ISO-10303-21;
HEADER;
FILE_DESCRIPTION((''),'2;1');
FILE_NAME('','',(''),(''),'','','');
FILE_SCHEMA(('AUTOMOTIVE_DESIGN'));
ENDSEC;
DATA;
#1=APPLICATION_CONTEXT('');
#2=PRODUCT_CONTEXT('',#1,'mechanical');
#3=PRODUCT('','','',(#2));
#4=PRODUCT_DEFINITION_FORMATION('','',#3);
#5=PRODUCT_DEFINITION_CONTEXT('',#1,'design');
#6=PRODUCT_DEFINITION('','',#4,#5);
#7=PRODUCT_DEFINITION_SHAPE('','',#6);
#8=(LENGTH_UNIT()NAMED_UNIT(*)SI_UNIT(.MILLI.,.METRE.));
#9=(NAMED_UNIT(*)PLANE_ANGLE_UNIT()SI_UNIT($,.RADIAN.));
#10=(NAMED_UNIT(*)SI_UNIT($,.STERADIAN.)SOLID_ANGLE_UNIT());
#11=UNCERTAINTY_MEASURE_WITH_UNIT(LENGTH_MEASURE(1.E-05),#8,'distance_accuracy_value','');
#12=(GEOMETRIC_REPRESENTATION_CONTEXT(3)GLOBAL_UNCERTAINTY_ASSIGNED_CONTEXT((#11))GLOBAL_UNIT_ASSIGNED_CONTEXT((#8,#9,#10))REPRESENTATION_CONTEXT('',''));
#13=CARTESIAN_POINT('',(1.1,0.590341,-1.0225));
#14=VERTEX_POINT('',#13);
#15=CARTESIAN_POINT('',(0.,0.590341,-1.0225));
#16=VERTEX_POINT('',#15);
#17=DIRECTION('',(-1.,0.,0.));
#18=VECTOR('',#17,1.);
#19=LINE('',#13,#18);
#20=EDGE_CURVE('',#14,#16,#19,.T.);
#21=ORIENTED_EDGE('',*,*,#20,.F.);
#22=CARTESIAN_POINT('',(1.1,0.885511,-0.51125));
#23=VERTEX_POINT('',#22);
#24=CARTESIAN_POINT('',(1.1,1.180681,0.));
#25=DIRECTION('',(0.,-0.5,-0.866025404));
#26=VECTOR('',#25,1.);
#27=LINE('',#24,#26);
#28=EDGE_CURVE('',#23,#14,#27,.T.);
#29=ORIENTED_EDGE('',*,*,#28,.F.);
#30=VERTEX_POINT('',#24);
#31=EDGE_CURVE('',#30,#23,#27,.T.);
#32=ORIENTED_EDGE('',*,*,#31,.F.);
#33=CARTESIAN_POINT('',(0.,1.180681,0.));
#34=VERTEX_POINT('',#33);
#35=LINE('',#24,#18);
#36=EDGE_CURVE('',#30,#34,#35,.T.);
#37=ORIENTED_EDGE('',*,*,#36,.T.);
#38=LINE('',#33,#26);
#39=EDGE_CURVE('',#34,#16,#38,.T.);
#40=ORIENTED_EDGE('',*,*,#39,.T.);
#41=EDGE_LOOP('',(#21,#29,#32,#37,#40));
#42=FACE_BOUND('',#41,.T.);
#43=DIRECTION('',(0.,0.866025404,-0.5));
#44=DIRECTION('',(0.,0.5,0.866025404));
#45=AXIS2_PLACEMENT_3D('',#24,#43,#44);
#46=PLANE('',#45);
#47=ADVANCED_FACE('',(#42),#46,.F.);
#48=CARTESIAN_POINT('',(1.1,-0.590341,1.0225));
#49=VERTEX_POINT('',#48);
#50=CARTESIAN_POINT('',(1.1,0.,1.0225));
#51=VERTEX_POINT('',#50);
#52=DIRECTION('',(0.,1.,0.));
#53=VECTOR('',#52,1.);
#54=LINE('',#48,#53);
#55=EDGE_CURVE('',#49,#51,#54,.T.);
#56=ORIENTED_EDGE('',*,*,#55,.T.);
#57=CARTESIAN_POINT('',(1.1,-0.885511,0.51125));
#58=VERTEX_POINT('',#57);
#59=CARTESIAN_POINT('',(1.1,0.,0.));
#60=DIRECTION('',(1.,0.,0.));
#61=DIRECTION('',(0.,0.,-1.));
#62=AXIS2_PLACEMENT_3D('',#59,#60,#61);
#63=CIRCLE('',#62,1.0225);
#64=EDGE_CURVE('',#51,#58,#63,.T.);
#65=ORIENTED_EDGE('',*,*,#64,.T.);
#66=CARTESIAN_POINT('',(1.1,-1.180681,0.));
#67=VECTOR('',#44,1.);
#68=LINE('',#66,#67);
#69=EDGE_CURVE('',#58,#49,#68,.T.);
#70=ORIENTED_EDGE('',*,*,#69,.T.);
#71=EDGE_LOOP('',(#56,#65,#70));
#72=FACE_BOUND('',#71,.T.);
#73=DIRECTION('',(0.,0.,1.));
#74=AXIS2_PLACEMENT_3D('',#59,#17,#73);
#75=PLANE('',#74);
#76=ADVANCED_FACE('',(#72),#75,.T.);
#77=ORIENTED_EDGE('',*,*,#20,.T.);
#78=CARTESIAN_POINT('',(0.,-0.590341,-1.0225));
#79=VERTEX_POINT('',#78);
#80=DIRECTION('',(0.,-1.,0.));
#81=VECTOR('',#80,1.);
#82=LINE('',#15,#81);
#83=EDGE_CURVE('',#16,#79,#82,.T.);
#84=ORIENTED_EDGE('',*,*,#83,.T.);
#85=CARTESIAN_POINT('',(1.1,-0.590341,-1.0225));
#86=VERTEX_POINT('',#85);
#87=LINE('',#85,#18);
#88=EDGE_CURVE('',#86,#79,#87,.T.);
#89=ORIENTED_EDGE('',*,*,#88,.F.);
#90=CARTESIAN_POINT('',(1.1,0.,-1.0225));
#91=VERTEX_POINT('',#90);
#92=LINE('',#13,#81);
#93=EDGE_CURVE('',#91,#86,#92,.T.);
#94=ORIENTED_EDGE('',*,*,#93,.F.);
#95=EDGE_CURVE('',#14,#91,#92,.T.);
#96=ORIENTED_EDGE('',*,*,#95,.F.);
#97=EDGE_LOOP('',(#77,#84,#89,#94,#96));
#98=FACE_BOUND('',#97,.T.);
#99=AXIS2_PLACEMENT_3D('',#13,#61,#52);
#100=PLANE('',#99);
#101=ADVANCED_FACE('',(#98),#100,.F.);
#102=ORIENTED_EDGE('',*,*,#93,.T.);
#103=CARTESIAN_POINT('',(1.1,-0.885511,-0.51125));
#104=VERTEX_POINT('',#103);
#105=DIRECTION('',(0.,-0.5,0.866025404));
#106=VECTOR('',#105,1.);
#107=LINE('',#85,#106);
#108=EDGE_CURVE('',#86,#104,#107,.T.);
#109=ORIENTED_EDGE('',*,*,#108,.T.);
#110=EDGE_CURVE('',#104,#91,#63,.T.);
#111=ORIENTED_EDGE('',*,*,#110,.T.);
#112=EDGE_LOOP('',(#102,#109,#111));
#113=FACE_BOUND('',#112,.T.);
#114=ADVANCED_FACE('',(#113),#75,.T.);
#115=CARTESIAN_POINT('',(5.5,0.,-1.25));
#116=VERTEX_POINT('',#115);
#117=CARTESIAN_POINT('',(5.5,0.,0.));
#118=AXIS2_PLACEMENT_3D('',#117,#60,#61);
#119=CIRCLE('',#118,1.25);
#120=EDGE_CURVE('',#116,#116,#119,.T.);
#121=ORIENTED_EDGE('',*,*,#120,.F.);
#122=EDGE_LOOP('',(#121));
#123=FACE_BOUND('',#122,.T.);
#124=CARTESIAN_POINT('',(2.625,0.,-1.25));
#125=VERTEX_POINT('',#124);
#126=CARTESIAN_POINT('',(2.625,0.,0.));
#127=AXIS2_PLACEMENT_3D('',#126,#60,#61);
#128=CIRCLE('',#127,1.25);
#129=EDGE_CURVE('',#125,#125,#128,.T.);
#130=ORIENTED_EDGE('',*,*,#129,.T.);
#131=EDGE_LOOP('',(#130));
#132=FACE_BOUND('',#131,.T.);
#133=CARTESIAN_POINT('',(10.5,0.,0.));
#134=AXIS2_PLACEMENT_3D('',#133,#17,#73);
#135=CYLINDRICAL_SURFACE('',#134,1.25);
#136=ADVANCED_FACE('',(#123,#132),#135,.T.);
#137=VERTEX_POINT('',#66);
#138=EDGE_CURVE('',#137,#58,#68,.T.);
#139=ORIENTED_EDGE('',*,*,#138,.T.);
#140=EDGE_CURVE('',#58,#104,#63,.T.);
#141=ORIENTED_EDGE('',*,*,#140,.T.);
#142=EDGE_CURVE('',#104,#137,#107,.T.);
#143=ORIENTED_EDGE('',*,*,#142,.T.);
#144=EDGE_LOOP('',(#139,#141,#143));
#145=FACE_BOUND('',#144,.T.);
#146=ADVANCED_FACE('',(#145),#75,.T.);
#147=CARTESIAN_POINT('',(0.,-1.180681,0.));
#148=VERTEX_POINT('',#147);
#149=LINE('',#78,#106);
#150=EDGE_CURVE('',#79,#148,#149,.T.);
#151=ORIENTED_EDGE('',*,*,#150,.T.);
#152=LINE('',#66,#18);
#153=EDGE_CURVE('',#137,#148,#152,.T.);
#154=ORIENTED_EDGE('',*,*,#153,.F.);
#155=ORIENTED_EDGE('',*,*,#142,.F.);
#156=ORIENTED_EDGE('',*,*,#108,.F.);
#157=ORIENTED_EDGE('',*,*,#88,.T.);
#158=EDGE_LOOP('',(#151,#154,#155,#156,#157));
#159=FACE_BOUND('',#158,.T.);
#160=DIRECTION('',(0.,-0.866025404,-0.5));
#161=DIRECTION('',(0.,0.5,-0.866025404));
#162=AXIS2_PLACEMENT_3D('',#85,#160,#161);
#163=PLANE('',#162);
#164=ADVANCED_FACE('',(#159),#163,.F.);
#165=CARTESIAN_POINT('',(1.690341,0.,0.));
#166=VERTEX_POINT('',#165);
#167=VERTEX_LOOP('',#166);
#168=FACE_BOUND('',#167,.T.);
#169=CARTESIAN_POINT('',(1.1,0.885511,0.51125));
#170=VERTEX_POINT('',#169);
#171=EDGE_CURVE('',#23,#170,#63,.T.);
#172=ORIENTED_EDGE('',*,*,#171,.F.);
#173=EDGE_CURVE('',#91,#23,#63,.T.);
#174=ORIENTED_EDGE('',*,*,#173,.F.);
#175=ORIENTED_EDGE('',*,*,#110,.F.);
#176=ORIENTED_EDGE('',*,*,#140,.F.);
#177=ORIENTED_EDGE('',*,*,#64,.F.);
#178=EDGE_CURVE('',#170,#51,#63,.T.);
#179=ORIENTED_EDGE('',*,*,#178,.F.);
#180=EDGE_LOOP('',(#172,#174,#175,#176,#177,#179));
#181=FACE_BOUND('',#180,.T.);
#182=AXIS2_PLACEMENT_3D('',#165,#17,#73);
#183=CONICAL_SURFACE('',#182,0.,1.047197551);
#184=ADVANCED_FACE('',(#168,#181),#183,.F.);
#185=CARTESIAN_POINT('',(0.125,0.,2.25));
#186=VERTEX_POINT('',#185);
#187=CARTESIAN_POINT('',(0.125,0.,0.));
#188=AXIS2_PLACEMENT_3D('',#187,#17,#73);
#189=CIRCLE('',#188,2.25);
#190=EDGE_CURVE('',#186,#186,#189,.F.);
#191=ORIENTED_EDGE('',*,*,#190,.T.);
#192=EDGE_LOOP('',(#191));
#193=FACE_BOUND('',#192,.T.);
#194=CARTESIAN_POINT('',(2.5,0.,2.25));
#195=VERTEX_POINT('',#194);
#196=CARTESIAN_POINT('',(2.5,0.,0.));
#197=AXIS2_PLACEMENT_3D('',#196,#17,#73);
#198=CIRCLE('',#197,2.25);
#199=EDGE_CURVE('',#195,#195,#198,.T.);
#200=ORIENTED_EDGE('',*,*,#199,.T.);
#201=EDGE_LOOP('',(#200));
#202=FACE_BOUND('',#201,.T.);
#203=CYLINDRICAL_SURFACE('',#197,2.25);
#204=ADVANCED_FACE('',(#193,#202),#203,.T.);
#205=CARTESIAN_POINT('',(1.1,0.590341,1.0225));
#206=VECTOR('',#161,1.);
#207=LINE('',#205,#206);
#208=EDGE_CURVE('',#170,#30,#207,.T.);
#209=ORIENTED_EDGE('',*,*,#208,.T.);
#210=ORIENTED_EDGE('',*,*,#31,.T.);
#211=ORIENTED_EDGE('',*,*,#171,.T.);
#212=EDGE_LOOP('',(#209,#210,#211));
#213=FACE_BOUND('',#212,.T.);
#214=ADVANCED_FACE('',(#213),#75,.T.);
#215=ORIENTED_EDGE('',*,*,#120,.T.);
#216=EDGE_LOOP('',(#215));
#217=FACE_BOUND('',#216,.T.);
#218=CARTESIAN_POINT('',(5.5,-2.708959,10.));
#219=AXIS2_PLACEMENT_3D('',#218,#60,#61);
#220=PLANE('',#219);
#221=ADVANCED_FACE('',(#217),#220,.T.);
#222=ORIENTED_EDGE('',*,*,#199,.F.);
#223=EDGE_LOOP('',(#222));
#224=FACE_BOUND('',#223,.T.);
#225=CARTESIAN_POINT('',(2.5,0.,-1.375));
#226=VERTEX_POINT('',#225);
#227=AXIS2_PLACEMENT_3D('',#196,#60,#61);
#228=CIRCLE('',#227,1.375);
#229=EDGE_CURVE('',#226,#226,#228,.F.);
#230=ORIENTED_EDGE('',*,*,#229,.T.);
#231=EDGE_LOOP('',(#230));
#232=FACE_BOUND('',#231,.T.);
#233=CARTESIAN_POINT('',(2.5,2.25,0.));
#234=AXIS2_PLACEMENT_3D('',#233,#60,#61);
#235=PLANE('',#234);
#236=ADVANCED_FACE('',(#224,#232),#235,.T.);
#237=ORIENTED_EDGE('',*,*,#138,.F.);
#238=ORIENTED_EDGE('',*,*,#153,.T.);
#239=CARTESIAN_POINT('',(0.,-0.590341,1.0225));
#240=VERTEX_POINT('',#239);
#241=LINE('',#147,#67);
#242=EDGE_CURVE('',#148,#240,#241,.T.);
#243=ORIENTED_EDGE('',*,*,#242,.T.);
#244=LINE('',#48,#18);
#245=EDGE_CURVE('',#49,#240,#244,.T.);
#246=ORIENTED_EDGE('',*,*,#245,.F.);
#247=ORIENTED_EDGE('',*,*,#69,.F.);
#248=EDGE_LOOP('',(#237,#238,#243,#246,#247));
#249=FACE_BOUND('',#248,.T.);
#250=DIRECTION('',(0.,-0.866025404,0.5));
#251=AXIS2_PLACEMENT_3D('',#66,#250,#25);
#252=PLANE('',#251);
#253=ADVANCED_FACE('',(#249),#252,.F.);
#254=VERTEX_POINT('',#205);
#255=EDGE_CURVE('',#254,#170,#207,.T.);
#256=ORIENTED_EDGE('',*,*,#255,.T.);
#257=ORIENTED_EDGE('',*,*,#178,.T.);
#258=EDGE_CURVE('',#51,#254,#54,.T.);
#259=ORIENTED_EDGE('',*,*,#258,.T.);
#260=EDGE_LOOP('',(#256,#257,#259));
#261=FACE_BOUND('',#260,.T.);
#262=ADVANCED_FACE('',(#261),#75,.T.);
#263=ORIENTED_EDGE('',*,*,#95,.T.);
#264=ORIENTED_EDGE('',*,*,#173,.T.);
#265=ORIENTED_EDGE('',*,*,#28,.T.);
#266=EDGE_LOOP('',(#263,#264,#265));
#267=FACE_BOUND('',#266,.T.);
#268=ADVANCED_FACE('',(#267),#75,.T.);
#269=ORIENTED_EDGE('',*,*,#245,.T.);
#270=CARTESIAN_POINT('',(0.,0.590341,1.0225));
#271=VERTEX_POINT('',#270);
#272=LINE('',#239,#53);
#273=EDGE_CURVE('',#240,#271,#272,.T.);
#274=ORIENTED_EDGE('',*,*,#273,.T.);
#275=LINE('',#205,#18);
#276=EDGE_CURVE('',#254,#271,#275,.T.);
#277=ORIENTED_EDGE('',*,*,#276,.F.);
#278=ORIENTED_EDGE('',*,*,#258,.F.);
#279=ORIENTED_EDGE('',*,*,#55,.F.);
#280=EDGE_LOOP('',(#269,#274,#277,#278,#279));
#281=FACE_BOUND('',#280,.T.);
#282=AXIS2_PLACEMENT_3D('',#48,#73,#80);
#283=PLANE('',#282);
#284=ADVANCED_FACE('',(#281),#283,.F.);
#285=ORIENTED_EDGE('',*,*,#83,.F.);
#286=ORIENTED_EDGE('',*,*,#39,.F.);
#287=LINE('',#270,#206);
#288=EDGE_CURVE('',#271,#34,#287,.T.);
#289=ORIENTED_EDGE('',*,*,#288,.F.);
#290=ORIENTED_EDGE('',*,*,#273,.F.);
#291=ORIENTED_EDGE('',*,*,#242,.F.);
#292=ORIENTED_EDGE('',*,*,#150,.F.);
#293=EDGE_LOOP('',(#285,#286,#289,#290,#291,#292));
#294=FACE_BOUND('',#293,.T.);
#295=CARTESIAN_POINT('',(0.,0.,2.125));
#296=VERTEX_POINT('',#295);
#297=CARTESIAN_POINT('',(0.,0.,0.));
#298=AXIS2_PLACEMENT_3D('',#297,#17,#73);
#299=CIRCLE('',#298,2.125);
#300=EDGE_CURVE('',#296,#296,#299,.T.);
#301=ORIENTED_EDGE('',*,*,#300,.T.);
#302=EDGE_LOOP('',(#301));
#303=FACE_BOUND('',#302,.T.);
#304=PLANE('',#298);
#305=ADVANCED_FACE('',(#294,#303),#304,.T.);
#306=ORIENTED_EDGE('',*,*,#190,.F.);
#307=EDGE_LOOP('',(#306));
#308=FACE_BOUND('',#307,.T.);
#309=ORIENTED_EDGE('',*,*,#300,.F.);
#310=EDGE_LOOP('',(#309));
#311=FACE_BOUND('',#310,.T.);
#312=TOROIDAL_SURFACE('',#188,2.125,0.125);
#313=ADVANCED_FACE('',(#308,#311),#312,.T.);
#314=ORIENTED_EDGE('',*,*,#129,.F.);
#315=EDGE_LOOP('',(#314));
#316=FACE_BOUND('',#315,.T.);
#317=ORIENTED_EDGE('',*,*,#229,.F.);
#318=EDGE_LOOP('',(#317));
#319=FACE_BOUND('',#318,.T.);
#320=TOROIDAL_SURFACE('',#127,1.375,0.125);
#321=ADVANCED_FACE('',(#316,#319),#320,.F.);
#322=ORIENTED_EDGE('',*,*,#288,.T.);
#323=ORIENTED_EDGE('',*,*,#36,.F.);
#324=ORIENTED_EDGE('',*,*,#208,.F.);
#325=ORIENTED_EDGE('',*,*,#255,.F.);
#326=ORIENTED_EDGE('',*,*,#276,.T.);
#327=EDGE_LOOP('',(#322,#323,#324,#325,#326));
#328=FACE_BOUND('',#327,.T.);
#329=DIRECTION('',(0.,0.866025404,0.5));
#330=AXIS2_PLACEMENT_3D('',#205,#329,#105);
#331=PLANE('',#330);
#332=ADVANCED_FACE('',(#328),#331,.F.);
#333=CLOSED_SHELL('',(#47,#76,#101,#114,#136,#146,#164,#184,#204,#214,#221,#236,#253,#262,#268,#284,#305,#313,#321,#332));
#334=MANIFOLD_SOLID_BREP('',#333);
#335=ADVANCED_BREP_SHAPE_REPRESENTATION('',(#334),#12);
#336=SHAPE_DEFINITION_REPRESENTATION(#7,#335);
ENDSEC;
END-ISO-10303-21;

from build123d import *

# Parameters (mm, degrees)
SKETCH1_W               = 2.5
SKETCH1_H               = 2.25
SKETCH2_R               = 1.25
BOSS_EXTRUDE1_DEPTH     = 8
CUT_EXTRUDE1_DEPTH      = 1.1
CHAMFER1_SIZE           = 0.2535
FILLET1_R               = 0.125
SKETCH5_W               = 5
SKETCH5_H               = 4.609791228
CUT_EXTRUDE2_DEPTH      = 10
CUT_EXTRUDE2_DEPTH_BACK = 10


with BuildPart() as part:
    # Sketch1 → Revolve1 (revolve)
    with BuildSketch(Plane(origin=(0, 0, 0), x_dir=(-1, 0, 0), z_dir=(0, 0, -1))):
        with Locations((-1.25, 1.125)):
            Rectangle(SKETCH1_W, SKETCH1_H)
    revolve(axis=Axis((2.5, 0, 0), (-1, 0, 0)))

    # Sketch2 → Boss-Extrude1 (add)
    with BuildSketch(Plane(origin=(2.5, 0, 0), x_dir=(0, 0, -1), z_dir=(1, 0, 0))):
        Circle(SKETCH2_R)
    extrude(amount=BOSS_EXTRUDE1_DEPTH)

    # Sketch3 → Cut-Extrude1 (cut)
    with BuildSketch(Plane.ZY):
        Polygon((-1.0225, -0.59034065), (0, -1.1806813), (1.0225, -0.59034065), (1.0225, 0.59034065), (0, 1.1806813), (-1.0225, 0.59034065), align=None)
    extrude(amount=-CUT_EXTRUDE1_DEPTH, mode=Mode.SUBTRACT)

    # Sketch4 → Cut-Revolve1 (revolve, cut)
    with BuildSketch(Plane.XY):
        Polygon((1.1, 1.0225), (1.1, 0), (1.69034065, 0), align=None)
    revolve(axis=Axis((1.099975, 0, 0), (1, 0, 0)), mode=Mode.SUBTRACT)

    # Chamfer1
    chamfer1_edges = [part.edges().sort_by_distance(p)[0] for p in [
        (10.5, 0, 1.25),
    ]]
    chamfer(chamfer1_edges, length=CHAMFER1_SIZE)

    # Fillet1
    fillet1_edges = [part.edges().sort_by_distance(p)[0] for p in [
        (0, -2.25, 0),
        (2.5, 0, 1.25),
    ]]
    fillet(fillet1_edges, radius=FILLET1_R)

    # Sketch5 → Cut-Extrude2 (cut, two sides)
    with BuildSketch(Plane.XY) as cut_extrude2_sk:
        with Locations((8, -0.404062901)):
            Rectangle(SKETCH5_W, SKETCH5_H)
    extrude(amount=CUT_EXTRUDE2_DEPTH, mode=Mode.SUBTRACT)
    extrude(cut_extrude2_sk.sketch, amount=-CUT_EXTRUDE2_DEPTH_BACK, mode=Mode.SUBTRACT)


solid = part.part
